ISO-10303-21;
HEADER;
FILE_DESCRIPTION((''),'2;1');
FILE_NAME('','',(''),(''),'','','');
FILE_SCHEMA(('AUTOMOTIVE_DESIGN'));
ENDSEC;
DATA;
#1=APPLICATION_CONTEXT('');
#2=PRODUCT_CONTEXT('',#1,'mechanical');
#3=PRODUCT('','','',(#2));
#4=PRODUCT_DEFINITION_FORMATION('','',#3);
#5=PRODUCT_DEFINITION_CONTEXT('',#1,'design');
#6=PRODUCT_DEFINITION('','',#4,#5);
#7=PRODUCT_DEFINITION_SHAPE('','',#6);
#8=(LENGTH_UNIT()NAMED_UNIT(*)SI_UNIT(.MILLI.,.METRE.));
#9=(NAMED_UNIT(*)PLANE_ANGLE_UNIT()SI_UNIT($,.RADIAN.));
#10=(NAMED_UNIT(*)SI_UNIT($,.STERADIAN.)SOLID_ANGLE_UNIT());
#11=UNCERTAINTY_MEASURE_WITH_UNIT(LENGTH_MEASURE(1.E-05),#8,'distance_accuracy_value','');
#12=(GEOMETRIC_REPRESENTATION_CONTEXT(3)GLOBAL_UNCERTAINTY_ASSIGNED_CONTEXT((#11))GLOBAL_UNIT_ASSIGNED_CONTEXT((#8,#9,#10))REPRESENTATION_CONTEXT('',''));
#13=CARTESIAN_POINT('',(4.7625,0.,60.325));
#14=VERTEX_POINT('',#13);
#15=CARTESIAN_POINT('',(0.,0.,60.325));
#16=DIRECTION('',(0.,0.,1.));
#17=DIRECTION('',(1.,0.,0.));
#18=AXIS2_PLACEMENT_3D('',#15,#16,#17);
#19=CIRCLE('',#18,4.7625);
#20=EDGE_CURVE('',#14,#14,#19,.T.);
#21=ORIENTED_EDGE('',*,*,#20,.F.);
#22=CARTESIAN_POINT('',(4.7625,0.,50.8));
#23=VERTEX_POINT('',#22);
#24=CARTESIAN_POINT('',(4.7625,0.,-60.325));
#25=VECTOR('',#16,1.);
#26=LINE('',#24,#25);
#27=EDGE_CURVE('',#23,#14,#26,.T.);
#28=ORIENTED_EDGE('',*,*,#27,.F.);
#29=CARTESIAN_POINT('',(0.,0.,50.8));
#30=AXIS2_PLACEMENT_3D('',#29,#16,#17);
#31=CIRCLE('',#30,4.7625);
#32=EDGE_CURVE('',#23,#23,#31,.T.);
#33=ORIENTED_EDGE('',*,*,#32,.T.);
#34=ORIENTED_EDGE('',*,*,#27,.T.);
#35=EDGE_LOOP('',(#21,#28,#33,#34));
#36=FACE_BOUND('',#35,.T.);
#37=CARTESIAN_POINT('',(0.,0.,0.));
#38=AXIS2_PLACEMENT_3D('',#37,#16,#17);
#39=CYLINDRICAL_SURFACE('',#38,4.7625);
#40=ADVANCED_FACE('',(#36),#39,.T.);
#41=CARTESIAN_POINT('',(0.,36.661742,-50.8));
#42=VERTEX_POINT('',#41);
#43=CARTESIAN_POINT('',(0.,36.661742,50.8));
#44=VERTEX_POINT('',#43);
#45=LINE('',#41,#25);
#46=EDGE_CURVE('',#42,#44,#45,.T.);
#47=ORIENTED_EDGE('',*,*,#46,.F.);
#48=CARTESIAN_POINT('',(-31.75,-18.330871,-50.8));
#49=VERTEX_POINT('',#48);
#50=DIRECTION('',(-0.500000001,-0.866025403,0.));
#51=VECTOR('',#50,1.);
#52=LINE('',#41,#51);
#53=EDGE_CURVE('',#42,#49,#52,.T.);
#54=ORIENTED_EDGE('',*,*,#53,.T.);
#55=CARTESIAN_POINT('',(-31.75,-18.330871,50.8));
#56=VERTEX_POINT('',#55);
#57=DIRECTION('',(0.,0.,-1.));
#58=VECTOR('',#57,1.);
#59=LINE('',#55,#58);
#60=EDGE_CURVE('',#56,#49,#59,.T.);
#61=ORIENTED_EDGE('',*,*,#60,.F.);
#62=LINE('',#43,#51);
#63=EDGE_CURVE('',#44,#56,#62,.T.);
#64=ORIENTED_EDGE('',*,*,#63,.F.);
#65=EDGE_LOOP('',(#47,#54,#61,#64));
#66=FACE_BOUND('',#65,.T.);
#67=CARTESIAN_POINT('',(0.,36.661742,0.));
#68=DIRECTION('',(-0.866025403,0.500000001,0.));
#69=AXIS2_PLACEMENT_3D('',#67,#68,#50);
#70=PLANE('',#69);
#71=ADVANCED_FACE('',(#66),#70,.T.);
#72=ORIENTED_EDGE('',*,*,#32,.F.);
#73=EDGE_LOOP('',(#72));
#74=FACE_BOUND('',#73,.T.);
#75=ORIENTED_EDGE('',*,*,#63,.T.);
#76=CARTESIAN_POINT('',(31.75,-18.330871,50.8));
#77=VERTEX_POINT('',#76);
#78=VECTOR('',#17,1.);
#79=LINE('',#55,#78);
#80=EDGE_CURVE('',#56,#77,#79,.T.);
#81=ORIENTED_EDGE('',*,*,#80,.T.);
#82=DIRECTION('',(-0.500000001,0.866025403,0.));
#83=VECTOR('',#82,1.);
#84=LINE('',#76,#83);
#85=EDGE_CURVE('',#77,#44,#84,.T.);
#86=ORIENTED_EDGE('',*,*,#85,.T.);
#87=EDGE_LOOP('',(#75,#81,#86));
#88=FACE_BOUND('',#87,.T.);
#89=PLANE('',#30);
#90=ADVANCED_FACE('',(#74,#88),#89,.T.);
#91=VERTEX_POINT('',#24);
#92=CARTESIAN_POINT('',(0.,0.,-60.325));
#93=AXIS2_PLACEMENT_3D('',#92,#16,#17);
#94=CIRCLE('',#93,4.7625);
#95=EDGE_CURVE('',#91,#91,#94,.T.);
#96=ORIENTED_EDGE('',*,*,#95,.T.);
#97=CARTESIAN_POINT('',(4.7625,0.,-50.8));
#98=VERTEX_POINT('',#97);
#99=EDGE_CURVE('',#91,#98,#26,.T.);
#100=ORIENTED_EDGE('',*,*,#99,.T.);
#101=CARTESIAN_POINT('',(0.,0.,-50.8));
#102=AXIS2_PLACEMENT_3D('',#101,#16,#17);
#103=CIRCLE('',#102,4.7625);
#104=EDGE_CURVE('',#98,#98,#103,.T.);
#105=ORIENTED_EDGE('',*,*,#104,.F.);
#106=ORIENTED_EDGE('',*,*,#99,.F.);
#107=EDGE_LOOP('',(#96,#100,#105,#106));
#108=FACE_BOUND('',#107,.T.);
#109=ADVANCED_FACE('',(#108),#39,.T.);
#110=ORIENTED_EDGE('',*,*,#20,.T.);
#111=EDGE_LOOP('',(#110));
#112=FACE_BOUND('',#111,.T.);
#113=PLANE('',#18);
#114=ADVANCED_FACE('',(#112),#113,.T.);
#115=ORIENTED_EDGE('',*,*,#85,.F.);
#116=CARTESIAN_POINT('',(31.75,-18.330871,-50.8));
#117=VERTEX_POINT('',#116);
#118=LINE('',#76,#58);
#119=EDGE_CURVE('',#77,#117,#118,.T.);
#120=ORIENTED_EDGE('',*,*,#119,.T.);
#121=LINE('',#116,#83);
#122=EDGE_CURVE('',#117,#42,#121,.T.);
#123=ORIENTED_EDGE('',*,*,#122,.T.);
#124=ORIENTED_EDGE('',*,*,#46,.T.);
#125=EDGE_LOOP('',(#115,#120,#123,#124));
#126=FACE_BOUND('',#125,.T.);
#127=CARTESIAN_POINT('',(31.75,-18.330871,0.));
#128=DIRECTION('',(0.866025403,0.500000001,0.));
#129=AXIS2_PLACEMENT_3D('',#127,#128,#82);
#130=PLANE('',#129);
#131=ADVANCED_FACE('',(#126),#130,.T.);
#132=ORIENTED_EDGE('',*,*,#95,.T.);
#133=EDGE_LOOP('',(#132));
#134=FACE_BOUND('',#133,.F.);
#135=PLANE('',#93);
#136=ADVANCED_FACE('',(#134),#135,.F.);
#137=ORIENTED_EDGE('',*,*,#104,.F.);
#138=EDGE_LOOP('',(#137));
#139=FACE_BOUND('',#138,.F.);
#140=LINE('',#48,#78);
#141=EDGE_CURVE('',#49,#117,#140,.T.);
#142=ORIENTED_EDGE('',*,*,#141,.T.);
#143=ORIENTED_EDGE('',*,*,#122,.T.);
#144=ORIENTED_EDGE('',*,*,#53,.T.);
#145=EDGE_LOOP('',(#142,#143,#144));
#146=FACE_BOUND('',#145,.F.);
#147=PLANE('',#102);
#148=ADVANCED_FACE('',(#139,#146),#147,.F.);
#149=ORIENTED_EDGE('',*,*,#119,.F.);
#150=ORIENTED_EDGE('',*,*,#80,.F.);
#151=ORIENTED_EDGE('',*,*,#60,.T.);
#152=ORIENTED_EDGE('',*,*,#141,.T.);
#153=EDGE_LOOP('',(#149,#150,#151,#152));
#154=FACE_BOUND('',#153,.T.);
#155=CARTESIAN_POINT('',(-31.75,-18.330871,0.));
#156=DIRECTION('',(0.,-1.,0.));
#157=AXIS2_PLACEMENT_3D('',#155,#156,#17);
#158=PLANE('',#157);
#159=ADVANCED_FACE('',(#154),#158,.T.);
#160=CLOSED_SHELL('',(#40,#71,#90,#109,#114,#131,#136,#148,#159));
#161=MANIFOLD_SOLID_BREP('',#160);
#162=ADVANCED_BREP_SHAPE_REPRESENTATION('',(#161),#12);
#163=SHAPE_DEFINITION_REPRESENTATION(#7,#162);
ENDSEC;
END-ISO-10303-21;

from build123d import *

# Parameters (mm, degrees)
F1_DEPTH = 50.8
F2_R     = 4.7625
F3_DEPTH = 60.325


with BuildPart() as f1:
    # F0 (on Top) → F1 (new body, symmetric)
    with BuildSketch(Plane.XY):
        Polygon((31.75, -18.330871), (0, 36.661742), (-31.75, -18.330871), align=None)
    extrude(amount=F1_DEPTH, both=True)

    # F2 (on Top) → F3 (join, symmetric)
    with BuildSketch(Plane.XY):
        Circle(F2_R)
    extrude(amount=F3_DEPTH, both=True)


solid = f1.part
